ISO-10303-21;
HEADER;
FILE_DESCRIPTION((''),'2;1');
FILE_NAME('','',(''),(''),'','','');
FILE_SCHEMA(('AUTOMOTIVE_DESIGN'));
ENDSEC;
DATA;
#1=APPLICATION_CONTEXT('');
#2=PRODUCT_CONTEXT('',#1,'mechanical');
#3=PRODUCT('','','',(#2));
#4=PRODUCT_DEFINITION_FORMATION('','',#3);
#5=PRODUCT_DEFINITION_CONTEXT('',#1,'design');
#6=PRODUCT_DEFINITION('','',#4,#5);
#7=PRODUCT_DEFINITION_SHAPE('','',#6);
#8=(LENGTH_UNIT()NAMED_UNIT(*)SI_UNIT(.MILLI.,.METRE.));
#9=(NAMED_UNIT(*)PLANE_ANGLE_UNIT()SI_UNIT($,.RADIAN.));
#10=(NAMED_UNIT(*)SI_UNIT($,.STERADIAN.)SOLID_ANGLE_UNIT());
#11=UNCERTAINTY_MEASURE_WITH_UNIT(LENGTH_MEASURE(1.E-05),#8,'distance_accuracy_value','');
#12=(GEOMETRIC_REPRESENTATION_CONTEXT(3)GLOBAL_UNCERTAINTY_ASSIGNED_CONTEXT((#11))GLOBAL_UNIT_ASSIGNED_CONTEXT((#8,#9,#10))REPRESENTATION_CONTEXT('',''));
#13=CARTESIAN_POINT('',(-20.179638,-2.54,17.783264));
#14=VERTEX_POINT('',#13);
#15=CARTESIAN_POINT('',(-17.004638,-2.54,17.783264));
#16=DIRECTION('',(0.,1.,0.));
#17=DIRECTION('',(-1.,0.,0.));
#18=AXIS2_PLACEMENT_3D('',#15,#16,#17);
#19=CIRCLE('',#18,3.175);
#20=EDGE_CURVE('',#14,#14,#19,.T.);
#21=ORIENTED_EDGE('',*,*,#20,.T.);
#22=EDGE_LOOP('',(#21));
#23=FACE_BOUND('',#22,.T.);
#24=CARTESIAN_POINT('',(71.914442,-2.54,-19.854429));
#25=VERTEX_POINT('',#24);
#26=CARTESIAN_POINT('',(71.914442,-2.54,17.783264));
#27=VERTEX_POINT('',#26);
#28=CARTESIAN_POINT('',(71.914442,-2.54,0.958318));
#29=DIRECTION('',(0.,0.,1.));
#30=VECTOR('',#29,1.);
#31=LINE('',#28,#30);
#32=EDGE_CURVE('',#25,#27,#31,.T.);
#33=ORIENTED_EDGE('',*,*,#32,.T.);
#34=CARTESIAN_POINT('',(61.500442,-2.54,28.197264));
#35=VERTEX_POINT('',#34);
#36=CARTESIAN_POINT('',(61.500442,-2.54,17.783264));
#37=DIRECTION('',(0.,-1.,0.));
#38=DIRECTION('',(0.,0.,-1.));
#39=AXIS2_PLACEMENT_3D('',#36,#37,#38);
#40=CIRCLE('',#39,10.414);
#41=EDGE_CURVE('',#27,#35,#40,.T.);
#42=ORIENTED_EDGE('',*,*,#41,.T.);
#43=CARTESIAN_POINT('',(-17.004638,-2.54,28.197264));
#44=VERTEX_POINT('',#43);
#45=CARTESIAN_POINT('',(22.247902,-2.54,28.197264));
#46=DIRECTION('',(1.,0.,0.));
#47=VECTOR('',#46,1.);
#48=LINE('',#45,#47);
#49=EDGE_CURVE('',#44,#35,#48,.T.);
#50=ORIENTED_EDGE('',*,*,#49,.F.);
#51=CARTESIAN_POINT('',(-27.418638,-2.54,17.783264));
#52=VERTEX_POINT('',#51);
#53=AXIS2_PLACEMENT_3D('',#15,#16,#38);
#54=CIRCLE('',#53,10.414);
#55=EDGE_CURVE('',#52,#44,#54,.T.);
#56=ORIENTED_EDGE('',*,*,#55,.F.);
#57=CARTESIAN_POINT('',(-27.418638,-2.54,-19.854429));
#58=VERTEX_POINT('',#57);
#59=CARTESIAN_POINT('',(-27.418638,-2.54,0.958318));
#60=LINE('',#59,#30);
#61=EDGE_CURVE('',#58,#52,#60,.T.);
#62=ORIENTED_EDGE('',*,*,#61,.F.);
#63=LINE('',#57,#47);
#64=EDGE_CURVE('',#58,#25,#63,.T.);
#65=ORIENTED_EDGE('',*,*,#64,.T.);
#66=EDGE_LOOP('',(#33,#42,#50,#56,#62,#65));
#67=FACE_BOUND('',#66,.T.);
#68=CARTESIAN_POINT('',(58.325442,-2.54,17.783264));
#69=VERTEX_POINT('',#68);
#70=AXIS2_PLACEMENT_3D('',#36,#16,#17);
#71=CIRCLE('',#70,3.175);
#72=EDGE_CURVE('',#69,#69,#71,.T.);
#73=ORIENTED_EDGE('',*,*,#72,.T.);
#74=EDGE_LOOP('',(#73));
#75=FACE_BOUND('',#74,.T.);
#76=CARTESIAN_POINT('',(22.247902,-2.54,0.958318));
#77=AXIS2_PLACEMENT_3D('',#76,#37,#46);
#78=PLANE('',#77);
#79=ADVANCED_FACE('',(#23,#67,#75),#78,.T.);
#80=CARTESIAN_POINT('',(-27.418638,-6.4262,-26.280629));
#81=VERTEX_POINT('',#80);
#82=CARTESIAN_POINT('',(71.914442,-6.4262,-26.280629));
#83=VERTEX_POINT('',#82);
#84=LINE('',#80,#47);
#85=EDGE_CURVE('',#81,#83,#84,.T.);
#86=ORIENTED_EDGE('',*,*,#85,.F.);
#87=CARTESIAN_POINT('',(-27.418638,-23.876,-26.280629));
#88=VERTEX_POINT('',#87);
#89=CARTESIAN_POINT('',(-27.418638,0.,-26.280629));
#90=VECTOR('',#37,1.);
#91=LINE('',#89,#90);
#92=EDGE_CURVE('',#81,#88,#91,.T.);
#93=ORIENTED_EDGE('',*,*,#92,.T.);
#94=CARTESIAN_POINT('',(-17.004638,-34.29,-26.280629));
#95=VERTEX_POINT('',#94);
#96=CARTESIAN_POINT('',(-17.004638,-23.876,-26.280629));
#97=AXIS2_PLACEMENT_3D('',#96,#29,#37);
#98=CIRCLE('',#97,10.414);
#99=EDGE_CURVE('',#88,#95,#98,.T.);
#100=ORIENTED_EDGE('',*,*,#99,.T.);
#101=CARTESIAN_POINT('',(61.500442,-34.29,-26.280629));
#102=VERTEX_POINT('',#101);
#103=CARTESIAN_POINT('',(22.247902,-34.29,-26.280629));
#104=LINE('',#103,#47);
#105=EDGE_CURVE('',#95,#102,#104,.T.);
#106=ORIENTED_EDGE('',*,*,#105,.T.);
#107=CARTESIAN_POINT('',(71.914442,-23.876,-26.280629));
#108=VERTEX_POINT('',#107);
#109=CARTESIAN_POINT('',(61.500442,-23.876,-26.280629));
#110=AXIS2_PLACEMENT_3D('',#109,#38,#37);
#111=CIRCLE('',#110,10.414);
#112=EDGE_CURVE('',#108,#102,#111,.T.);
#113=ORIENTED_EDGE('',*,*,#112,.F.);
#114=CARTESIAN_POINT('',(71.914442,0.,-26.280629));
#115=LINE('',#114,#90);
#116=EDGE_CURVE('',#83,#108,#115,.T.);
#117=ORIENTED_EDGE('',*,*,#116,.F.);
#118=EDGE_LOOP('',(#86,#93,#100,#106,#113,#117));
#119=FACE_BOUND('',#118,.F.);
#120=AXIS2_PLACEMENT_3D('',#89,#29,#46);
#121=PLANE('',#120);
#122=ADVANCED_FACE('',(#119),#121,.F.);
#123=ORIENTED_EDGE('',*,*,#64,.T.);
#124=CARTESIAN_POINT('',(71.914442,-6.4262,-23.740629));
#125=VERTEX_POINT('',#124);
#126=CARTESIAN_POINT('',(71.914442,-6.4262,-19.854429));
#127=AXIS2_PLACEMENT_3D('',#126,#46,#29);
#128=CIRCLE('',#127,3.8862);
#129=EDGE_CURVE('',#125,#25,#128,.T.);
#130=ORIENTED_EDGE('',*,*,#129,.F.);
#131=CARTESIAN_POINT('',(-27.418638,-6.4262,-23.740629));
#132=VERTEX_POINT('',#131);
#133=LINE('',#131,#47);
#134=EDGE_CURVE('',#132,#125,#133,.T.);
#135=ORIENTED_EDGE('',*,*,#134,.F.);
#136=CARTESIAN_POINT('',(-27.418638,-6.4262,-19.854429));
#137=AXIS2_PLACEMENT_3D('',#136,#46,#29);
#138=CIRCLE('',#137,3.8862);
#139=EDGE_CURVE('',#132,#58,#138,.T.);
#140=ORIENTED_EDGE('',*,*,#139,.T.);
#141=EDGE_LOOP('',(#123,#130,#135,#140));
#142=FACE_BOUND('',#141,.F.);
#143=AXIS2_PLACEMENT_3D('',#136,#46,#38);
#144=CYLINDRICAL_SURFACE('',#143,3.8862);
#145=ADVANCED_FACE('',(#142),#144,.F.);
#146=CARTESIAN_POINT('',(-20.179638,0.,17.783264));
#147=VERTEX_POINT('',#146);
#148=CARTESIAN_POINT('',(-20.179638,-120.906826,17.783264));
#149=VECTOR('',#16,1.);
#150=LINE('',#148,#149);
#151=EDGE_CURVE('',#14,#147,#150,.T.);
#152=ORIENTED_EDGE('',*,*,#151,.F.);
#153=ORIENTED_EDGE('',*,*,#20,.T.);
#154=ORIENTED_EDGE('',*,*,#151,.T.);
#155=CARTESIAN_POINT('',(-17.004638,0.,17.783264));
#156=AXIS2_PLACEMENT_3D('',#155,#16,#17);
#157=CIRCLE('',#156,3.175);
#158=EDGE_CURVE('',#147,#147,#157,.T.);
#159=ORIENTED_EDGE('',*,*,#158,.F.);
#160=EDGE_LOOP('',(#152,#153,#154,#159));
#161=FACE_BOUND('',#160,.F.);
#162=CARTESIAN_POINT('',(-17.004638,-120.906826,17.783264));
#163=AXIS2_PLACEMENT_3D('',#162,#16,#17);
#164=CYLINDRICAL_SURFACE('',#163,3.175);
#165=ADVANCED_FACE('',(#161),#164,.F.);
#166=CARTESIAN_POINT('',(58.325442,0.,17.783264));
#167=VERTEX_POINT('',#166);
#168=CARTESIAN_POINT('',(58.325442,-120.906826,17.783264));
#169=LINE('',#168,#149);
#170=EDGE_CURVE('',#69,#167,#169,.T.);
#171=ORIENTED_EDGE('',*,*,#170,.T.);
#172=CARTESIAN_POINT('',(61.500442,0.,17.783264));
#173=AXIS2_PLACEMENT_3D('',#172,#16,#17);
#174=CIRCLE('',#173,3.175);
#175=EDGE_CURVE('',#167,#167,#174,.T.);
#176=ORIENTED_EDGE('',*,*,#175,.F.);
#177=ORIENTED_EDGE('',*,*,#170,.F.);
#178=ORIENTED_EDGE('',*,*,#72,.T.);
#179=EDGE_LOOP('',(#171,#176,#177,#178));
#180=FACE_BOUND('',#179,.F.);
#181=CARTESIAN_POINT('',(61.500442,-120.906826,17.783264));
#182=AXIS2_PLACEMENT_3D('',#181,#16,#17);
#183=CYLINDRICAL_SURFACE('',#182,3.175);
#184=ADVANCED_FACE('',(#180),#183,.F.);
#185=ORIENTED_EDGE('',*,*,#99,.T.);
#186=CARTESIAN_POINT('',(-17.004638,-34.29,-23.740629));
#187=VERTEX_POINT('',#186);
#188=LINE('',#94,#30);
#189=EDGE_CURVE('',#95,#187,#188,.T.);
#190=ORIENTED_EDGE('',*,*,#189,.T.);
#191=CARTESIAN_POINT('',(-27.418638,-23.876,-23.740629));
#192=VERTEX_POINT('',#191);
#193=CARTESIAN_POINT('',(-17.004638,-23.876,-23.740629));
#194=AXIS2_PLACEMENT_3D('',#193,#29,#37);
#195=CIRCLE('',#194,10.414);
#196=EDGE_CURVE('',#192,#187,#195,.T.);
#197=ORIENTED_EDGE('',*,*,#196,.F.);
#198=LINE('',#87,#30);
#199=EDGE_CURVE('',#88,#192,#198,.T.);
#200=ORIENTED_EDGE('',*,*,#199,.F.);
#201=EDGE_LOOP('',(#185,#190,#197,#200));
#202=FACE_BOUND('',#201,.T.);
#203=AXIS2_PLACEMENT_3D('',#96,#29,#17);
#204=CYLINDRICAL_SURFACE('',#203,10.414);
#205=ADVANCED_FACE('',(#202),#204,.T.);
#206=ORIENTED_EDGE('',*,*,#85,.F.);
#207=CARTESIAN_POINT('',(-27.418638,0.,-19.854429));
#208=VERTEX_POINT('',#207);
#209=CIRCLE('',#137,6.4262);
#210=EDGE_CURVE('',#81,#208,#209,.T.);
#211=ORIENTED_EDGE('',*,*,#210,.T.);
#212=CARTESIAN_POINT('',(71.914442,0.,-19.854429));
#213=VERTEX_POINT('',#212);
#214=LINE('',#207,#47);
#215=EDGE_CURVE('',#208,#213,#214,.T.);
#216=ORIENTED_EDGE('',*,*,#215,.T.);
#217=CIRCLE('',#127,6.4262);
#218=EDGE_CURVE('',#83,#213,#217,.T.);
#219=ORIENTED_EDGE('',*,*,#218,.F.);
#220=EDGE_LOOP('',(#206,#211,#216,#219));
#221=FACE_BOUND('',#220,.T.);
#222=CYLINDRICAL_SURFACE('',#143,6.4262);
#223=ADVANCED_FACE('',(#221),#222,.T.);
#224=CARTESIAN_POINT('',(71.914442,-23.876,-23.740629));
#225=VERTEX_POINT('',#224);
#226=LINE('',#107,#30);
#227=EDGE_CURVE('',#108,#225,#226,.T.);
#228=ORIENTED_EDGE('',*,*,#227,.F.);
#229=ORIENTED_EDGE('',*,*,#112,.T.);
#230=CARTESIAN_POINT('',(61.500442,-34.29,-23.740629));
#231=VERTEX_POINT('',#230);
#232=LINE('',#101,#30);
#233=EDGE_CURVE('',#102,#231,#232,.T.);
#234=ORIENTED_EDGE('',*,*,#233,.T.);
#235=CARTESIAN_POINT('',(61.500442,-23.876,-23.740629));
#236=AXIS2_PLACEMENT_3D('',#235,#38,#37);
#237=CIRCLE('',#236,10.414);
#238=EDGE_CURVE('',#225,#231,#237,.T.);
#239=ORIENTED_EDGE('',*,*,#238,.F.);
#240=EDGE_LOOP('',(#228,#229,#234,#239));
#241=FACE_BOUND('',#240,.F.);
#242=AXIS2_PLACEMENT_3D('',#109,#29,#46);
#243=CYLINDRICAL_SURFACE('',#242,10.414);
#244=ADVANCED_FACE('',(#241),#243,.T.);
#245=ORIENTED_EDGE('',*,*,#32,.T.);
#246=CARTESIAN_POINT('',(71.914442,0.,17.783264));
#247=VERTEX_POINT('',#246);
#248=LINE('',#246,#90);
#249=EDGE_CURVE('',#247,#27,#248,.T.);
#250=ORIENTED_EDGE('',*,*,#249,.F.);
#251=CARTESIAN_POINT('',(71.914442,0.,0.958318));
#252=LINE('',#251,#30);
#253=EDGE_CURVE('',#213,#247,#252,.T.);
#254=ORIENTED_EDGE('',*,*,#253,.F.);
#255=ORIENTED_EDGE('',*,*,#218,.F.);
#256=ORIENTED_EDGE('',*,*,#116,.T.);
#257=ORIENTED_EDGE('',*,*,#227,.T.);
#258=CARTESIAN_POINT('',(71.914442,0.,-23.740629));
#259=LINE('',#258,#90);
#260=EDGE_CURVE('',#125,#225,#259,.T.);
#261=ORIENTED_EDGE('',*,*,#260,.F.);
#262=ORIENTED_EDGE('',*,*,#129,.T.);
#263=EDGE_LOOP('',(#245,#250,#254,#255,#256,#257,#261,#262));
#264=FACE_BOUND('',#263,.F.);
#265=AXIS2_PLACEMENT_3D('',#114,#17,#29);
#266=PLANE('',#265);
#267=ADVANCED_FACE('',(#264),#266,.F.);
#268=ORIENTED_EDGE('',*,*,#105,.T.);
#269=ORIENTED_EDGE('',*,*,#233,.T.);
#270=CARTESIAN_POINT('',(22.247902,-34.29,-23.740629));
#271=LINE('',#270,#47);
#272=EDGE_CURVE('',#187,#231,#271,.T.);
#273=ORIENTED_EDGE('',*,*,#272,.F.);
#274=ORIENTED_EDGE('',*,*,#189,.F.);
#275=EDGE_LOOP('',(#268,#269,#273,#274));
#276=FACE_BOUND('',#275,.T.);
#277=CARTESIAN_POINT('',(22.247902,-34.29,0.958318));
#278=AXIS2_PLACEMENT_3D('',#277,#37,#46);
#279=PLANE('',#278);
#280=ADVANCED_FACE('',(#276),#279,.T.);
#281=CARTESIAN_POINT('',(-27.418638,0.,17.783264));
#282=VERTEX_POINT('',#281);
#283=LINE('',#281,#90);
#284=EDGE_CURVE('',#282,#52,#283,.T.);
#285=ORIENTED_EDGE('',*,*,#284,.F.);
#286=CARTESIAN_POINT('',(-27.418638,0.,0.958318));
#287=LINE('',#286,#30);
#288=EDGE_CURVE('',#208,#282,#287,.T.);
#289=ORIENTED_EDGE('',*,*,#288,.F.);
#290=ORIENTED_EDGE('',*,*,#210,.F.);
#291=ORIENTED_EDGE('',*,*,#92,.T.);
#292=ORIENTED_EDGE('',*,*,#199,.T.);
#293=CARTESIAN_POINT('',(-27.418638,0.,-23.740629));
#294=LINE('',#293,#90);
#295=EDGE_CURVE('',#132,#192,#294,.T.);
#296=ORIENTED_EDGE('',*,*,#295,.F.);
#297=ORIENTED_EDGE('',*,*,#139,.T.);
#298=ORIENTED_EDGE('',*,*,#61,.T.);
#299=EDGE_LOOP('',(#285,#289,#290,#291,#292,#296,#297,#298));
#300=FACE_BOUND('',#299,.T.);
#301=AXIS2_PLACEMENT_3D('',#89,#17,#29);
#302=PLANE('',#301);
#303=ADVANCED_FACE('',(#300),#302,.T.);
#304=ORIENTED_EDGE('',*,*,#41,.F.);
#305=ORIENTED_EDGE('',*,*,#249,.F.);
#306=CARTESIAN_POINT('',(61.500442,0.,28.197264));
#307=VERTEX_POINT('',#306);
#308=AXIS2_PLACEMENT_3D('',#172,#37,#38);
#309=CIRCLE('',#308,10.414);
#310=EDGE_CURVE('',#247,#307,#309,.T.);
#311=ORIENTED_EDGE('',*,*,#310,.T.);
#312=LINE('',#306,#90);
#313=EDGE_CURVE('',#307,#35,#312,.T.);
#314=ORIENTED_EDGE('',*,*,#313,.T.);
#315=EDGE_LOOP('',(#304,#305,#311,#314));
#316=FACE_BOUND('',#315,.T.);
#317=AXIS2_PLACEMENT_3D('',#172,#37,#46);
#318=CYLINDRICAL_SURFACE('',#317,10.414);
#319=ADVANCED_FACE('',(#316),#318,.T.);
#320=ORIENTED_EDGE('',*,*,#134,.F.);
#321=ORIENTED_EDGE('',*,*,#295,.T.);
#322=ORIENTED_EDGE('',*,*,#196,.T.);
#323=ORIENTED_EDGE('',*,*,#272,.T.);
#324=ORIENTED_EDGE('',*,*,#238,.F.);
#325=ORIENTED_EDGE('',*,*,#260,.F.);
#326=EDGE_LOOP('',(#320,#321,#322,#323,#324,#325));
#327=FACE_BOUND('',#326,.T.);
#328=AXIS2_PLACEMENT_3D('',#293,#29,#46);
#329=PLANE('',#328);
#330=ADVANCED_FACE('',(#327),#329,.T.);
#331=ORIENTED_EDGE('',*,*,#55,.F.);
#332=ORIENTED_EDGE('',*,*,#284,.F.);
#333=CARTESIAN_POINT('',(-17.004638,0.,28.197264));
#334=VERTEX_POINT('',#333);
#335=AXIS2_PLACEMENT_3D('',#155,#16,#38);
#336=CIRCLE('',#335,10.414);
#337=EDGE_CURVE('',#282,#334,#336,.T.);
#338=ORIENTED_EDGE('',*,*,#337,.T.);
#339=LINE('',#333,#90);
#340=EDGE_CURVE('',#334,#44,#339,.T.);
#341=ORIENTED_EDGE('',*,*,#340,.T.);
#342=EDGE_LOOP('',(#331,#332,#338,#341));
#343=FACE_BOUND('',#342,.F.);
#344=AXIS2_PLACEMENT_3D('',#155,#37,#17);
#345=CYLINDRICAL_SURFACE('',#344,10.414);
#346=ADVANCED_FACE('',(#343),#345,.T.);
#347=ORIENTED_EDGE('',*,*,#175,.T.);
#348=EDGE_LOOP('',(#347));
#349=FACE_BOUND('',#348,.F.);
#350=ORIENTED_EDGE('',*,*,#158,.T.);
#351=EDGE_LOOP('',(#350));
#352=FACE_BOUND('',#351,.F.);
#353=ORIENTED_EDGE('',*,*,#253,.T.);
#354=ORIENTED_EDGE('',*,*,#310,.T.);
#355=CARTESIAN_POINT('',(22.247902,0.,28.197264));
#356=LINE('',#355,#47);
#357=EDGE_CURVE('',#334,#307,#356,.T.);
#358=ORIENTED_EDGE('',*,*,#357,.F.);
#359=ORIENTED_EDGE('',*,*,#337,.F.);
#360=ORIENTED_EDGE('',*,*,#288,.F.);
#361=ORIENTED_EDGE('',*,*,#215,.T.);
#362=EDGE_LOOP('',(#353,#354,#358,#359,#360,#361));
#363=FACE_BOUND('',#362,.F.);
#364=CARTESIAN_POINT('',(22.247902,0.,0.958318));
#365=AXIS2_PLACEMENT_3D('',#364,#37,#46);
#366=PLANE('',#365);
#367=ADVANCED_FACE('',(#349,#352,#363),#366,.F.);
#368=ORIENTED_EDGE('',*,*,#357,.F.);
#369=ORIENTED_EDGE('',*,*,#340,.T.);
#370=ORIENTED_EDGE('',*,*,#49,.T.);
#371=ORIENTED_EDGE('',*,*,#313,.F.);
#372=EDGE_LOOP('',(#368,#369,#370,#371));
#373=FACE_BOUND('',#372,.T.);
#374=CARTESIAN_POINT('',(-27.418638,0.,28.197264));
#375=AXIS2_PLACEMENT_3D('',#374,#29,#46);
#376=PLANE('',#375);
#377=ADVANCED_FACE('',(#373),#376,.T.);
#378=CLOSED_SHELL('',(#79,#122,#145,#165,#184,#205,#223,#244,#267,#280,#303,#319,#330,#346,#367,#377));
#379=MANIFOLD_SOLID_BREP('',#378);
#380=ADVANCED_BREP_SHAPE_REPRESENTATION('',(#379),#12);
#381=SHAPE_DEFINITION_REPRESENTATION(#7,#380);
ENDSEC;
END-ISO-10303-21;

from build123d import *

# Parameters (mm, degrees)
F0_W     = 99.3330795318
F0_H     = 54.4778928161
F1_DEPTH = 34.29
F2_R     = 10.414
F3_R     = 6.4262
F4_T     = -2.54
F6_D     = 6.35


with BuildPart() as f1:
    # F0 (on Front) → F1 (new body)
    with BuildSketch(Plane.XZ):
        with Locations((22.2479021177, 0.9583178908)):
            Rectangle(F0_W, F0_H)
    extrude(amount=F1_DEPTH)

    # F2
    f2_edges = [f1.edges().sort_by_distance(p)[0] for p in [
        (71.914442, -17.145, 28.197264),
        (-27.418638, -17.145, 28.197264),
        (71.914442, -34.29, 0.958318),
        (-27.418638, -34.29, 0.958318),
    ]]
    fillet(f2_edges, radius=F2_R)

    # F3
    f3_edges = [f1.edges().sort_by_distance(p)[0] for p in [
        (22.247902, 0, -26.280629),
    ]]
    fillet(f3_edges, radius=F3_R)

    # F4
    f4_openings = [f1.faces().sort_by_distance(p)[0] for p in [
        (22.247902, -34.29, 0.958318),
        (22.247902, -17.145, 28.197264),
        (68.864252, -17.145, 25.147074),
        (68.864252, -31.23981, 0.958318),
        (71.914442, -12.027221, -4.073711),
        (-24.368448, -31.23981, 0.958318),
        (-24.368448, -17.145, 25.147074),
        (-27.418638, -12.027221, -4.073711),
    ]]
    offset(amount=F4_T, openings=f4_openings)

    # F6 (through all)
    with Locations(Plane.XZ.offset(2.54)):
        with Locations((-17.0046376482, 17.7832642988), (61.5004418836, 17.7832642988)):
            Hole(F6_D / 2)


solid = f1.part
